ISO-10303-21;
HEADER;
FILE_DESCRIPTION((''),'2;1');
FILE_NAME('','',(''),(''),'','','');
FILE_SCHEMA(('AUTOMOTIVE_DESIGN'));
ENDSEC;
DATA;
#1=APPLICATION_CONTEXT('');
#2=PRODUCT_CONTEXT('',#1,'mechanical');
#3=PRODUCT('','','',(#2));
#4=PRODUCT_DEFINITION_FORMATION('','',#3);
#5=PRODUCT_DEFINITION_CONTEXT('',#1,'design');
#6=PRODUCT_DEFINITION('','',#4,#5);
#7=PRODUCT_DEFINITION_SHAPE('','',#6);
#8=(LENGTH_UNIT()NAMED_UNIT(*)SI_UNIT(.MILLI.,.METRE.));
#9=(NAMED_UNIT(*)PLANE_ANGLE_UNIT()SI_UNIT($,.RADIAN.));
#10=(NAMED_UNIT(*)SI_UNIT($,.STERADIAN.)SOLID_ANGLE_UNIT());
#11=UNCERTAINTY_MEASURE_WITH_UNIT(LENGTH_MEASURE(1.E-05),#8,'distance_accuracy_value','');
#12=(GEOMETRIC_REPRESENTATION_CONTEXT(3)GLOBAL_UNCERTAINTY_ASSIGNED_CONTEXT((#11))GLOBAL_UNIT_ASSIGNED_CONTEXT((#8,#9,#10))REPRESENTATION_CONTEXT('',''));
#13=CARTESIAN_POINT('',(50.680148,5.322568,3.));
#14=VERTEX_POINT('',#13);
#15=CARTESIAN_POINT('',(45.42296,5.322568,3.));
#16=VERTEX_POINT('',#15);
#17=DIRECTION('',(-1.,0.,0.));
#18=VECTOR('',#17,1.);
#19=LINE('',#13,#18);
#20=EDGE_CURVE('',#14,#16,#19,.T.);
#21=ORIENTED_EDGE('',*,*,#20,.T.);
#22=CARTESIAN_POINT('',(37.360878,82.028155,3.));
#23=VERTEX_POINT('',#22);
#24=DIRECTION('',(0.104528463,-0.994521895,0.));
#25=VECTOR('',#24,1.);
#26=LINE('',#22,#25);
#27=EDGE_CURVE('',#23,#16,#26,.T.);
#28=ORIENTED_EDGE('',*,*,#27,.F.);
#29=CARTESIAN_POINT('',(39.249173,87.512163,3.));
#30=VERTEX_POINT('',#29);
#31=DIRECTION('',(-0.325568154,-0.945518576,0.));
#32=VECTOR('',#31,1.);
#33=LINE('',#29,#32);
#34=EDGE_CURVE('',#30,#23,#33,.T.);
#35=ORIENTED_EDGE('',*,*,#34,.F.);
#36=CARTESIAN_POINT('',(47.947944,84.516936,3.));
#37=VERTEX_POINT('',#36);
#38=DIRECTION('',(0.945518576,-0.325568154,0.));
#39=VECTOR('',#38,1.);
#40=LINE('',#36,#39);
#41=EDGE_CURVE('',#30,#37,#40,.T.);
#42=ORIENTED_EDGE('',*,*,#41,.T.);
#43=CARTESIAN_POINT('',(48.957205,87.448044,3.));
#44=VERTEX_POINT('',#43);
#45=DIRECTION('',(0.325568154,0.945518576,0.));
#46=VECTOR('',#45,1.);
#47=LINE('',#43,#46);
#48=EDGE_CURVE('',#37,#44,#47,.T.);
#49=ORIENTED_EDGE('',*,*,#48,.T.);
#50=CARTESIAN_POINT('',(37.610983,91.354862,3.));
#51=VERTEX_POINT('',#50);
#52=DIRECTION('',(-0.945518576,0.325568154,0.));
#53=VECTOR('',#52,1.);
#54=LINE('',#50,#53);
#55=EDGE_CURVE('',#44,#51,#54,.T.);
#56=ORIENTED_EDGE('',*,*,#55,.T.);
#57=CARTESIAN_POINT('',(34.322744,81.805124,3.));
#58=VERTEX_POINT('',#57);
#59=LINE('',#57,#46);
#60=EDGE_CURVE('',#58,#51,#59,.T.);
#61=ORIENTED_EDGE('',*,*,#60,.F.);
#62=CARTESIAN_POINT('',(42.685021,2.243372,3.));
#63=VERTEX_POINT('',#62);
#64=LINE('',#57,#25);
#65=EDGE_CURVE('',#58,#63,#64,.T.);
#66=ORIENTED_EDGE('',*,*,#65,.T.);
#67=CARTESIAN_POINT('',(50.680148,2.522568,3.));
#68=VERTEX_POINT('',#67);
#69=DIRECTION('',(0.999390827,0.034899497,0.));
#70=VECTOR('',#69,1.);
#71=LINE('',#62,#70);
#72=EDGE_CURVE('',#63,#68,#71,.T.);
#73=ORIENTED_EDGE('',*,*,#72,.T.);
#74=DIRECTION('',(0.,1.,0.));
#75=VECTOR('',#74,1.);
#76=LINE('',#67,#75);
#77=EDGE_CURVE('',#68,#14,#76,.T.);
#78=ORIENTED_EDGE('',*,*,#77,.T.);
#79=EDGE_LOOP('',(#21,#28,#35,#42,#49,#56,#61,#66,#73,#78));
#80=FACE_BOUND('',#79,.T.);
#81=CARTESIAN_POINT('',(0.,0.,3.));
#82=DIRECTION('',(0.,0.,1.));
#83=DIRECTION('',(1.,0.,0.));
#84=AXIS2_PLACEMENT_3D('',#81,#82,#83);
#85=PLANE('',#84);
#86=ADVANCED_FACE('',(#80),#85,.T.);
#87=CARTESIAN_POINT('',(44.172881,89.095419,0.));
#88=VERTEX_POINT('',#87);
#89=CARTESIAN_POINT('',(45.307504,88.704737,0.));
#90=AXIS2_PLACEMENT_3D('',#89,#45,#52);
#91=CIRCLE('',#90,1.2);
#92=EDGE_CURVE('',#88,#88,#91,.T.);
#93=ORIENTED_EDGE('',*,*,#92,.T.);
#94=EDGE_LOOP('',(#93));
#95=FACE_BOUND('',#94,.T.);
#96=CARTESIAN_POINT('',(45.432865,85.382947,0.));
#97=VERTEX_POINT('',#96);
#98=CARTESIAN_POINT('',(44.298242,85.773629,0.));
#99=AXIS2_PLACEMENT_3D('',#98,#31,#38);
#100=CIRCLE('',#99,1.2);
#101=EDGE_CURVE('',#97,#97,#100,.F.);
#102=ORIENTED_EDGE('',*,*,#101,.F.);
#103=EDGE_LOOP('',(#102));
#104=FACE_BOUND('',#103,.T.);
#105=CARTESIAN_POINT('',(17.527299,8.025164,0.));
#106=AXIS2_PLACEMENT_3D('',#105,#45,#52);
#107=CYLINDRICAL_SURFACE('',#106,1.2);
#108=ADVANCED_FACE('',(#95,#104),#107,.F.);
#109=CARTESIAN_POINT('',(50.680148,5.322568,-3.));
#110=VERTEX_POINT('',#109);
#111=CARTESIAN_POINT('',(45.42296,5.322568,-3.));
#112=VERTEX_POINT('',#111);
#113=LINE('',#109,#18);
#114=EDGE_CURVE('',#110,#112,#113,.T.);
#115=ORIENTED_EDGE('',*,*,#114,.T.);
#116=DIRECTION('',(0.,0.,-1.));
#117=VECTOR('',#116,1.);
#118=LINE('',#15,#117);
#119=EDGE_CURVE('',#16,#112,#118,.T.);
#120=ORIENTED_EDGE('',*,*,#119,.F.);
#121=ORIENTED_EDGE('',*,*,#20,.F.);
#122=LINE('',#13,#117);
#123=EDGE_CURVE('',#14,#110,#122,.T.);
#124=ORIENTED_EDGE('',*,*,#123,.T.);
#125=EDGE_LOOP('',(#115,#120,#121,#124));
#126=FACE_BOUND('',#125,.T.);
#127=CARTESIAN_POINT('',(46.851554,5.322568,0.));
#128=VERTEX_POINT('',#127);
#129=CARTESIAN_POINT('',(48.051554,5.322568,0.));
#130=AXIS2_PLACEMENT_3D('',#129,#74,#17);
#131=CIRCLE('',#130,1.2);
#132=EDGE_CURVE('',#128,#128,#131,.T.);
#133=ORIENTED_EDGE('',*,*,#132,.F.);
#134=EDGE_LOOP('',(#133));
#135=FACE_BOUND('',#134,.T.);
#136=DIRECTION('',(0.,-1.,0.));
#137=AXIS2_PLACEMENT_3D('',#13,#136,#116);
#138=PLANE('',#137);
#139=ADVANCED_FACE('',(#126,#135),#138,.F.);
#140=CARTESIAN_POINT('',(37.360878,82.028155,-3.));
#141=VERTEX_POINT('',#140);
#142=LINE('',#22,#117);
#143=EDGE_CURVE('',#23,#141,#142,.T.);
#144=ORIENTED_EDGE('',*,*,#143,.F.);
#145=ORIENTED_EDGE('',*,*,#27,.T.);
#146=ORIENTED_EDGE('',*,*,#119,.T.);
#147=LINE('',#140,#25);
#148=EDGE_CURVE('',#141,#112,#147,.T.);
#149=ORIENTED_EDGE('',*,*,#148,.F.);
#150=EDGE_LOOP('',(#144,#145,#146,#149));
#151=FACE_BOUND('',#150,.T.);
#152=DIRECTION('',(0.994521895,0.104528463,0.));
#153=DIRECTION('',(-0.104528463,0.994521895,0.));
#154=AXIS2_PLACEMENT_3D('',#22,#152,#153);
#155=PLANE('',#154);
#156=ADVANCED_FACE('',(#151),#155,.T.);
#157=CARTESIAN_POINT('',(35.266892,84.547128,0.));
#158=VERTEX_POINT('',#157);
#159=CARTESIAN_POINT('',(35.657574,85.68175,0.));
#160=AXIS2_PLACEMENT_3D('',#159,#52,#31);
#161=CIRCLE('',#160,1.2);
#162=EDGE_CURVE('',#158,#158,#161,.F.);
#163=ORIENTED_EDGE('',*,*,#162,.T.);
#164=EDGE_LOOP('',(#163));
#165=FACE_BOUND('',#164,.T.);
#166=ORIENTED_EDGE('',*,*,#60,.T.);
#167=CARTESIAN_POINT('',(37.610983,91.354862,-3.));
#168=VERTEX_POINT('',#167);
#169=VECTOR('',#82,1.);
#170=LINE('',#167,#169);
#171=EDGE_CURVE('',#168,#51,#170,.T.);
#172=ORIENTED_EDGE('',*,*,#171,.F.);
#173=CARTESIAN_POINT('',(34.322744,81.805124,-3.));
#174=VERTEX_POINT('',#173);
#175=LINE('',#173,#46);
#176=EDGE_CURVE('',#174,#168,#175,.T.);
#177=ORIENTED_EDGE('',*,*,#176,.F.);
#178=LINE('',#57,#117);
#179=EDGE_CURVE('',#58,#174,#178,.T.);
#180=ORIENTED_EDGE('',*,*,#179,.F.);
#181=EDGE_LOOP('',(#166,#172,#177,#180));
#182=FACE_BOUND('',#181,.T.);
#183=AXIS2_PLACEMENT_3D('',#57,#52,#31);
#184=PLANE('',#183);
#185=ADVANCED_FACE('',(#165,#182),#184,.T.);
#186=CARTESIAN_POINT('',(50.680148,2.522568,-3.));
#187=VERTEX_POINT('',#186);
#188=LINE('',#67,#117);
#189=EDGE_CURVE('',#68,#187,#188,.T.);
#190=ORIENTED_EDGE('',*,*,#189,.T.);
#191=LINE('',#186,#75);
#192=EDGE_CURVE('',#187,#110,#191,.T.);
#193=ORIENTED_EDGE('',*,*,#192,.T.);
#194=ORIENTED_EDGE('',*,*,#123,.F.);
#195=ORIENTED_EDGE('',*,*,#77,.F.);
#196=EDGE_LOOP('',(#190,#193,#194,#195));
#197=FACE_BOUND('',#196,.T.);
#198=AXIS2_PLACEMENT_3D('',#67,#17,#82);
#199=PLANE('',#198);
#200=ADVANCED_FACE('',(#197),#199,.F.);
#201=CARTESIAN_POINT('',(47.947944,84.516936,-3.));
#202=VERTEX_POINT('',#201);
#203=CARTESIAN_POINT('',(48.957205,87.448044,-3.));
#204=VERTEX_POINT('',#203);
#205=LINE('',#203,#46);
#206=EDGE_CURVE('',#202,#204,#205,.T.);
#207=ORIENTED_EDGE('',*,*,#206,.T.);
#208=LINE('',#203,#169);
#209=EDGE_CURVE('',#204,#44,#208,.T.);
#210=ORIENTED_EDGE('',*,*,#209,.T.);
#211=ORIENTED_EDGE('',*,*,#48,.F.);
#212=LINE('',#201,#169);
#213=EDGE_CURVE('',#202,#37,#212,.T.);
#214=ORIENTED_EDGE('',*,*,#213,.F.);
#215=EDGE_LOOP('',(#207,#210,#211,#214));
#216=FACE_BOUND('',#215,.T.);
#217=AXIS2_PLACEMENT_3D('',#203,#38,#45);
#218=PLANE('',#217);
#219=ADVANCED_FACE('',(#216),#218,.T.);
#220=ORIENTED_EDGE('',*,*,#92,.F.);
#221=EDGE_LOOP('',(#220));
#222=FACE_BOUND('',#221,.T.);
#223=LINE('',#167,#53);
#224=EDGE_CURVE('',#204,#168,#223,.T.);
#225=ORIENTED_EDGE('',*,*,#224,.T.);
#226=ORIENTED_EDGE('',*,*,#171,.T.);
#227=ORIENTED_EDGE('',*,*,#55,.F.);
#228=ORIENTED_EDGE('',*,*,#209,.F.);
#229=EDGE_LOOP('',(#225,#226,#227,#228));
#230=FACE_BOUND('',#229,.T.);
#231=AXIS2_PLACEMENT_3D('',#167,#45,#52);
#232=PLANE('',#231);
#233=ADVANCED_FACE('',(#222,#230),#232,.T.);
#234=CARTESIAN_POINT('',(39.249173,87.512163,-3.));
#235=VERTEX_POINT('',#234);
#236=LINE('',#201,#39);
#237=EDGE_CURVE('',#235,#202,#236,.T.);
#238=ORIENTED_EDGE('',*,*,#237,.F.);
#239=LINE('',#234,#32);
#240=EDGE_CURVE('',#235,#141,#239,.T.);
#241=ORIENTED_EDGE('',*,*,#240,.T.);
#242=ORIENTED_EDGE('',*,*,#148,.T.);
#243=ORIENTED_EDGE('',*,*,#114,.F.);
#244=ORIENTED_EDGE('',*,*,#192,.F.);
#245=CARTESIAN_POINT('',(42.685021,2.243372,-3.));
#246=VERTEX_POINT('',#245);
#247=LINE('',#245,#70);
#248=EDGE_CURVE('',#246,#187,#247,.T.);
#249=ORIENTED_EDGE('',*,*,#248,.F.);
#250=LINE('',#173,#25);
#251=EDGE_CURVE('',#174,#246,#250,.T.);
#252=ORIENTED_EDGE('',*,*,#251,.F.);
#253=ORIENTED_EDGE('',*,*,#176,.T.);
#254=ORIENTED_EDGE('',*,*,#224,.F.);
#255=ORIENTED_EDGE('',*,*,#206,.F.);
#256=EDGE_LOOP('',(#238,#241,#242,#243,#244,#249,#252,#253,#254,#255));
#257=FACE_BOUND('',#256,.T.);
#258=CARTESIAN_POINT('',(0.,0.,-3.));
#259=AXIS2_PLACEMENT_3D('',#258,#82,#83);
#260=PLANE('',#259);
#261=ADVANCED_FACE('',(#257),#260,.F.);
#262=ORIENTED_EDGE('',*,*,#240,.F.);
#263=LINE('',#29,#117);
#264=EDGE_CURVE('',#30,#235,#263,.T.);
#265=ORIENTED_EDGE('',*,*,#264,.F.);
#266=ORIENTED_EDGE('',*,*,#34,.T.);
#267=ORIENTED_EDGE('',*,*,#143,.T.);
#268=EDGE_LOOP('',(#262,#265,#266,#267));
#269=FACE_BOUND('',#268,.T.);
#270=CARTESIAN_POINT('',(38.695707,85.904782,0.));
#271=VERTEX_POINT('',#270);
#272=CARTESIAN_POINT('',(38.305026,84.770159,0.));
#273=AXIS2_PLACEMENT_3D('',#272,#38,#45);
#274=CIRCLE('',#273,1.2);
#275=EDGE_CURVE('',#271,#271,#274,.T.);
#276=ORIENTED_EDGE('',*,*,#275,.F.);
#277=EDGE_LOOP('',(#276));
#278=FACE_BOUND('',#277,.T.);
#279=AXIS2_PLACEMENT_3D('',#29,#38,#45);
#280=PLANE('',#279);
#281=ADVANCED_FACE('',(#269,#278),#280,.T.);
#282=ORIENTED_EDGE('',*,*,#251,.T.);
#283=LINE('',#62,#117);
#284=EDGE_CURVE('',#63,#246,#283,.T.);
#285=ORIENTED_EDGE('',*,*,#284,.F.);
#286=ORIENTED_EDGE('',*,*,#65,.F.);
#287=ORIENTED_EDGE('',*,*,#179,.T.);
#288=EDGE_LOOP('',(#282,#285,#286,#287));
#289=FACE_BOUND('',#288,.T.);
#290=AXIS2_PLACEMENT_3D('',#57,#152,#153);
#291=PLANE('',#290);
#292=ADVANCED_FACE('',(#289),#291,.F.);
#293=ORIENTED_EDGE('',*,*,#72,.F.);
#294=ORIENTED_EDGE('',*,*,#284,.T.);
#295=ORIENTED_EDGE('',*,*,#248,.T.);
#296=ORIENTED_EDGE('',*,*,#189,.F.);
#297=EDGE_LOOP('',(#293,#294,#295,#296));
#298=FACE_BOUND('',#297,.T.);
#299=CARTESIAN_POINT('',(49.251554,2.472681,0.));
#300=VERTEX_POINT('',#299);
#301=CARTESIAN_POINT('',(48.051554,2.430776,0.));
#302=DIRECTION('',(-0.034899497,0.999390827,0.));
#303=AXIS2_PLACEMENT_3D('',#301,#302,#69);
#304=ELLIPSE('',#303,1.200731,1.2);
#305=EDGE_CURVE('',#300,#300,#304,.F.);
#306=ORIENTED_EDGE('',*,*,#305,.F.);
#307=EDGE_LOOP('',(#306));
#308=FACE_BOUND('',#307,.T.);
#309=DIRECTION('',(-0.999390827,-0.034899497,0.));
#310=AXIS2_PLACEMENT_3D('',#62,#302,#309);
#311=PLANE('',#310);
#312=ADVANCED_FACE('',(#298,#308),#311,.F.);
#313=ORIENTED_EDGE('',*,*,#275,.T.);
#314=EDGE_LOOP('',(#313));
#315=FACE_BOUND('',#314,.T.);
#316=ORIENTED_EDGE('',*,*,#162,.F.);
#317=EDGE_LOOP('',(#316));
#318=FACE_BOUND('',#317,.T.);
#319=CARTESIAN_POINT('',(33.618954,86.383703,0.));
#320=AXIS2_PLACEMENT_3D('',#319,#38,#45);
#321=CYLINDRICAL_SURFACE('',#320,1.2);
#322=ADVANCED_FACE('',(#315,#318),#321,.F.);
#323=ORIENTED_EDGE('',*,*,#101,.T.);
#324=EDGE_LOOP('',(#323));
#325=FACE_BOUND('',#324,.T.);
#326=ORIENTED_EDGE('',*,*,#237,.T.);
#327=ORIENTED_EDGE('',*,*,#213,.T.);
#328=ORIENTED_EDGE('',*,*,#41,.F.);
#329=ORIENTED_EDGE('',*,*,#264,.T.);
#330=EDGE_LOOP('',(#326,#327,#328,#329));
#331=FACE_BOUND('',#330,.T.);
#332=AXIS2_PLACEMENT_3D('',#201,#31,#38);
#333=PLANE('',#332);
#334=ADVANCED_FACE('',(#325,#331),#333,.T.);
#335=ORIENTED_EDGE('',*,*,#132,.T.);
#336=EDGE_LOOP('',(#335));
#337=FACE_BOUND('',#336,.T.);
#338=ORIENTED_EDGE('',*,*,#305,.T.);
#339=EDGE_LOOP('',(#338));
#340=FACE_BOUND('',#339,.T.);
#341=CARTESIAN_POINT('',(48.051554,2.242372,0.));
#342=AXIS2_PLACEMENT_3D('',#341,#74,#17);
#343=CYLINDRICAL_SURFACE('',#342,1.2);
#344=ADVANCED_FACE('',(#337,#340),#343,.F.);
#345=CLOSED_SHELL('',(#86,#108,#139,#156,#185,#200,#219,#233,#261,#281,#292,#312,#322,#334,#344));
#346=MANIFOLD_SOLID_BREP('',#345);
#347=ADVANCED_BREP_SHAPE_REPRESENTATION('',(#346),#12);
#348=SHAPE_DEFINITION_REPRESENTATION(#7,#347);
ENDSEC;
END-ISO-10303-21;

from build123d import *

# Parameters (mm, degrees)
SALIENTE_EXTRUIR1_DEPTH = 3
CORTAR_EXTRUIR1_REACH   = 102.701
CROQUIS2_R              = 1.2
CORTAR_EXTRUIR2_REACH   = 99.382
CROQUIS3_R              = 1.2
SALIENTE_EXTRUIR2_DEPTH = 6
CORTAR_EXTRUIR3_REACH   = 94.93
CROQUIS5_R              = 1.2


with BuildPart() as part:
    # Croquis1 → Saliente-Extruir1 (new, symmetric)
    with BuildSketch(Plane.XY):
        Polygon((36.601721277, 88.42375405), (39.249173289, 87.512163218), (37.360877993, 82.028155479), (45.422960067, 5.322568365), (50.680147873, 5.322568365), (50.680147873, 2.522568365), (42.685021257, 2.243372391), (34.322744196, 81.805124021), align=None)
    extrude(amount=SALIENTE_EXTRUIR1_DEPTH, both=True)

    # Croquis2 → Cortar-Extruir1 (cut, up to next)
    with BuildSketch(Plane(origin=(8.150038197, -2.806283201, 0), x_dir=(0, 0, -1), z_dir=(0.9455185755993173, -0.3255681544571552, 0)), mode=Mode.PRIVATE) as cortar_extruir1_sk1:
        with Locations(Location((0, 92.622656825, 0), (0, 0, 90))):
            Circle(CROQUIS2_R)
    cortar_extruir1_tool1 = extrude(cortar_extruir1_sk1.sketch, amount=-CORTAR_EXTRUIR1_REACH, mode=Mode.PRIVATE) & part.part
    add(cortar_extruir1_tool1.solids().sort_by_distance((38.305026, 84.770159, 0))[0], mode=Mode.SUBTRACT)

    # Cortar-Extruir2: up to this plane
    cortar_extruir2_end = Plane(origin=(42.685021257, 2.243372391, 3), z_dir=(-0.03489949670250159, 0.9993908270190958, 0))
    # Croquis3 → Cortar-Extruir2 (cut, up to the surface)
    with BuildSketch(Plane(origin=(0, 5.322568365, 0), x_dir=(1, 0, 0), z_dir=(0, 1, 0)), mode=Mode.PRIVATE) as cortar_extruir2_sk1:
        with Locations(Location((48.05155397, 0, 0), (0, 0, 180))):
            Circle(CROQUIS3_R)
    cortar_extruir2_tool1 = split(extrude(cortar_extruir2_sk1.sketch, amount=-CORTAR_EXTRUIR2_REACH, mode=Mode.PRIVATE), bisect_by=cortar_extruir2_end, keep=Keep.BOTH, mode=Mode.PRIVATE)
    add(cortar_extruir2_tool1.solids().sort_by_distance((48.051554, 5.322568, 0))[0], mode=Mode.SUBTRACT)

    # Croquis4 → Saliente-Extruir2 (add)
    with BuildSketch(Plane.XY.offset(3)):
        Polygon((36.601721277, 88.42375405), (37.610982556, 91.354861634), (48.957205463, 87.448043781), (47.947944184, 84.516936196), align=None)
    extrude(amount=-SALIENTE_EXTRUIR2_DEPTH)

    # Croquis5 → Cortar-Extruir3 (cut, up to next)
    with BuildSketch(Plane(origin=(32.10839637, 93.249554003, 0), x_dir=(0.9455185755993183, -0.3255681544571526, 0), z_dir=(0.3255681544571526, 0.9455185755993183, 0)), mode=Mode.PRIVATE) as cortar_extruir3_sk1:
        with Locations(Location((13.95964895, 0, 0), (0, 0, 180))):
            Circle(CROQUIS5_R)
    cortar_extruir3_tool1 = extrude(cortar_extruir3_sk1.sketch, amount=-CORTAR_EXTRUIR3_REACH, mode=Mode.PRIVATE) & part.part
    add(cortar_extruir3_tool1.solids().sort_by_distance((45.307504, 88.704737, 0))[0], mode=Mode.SUBTRACT)


solid = part.part
